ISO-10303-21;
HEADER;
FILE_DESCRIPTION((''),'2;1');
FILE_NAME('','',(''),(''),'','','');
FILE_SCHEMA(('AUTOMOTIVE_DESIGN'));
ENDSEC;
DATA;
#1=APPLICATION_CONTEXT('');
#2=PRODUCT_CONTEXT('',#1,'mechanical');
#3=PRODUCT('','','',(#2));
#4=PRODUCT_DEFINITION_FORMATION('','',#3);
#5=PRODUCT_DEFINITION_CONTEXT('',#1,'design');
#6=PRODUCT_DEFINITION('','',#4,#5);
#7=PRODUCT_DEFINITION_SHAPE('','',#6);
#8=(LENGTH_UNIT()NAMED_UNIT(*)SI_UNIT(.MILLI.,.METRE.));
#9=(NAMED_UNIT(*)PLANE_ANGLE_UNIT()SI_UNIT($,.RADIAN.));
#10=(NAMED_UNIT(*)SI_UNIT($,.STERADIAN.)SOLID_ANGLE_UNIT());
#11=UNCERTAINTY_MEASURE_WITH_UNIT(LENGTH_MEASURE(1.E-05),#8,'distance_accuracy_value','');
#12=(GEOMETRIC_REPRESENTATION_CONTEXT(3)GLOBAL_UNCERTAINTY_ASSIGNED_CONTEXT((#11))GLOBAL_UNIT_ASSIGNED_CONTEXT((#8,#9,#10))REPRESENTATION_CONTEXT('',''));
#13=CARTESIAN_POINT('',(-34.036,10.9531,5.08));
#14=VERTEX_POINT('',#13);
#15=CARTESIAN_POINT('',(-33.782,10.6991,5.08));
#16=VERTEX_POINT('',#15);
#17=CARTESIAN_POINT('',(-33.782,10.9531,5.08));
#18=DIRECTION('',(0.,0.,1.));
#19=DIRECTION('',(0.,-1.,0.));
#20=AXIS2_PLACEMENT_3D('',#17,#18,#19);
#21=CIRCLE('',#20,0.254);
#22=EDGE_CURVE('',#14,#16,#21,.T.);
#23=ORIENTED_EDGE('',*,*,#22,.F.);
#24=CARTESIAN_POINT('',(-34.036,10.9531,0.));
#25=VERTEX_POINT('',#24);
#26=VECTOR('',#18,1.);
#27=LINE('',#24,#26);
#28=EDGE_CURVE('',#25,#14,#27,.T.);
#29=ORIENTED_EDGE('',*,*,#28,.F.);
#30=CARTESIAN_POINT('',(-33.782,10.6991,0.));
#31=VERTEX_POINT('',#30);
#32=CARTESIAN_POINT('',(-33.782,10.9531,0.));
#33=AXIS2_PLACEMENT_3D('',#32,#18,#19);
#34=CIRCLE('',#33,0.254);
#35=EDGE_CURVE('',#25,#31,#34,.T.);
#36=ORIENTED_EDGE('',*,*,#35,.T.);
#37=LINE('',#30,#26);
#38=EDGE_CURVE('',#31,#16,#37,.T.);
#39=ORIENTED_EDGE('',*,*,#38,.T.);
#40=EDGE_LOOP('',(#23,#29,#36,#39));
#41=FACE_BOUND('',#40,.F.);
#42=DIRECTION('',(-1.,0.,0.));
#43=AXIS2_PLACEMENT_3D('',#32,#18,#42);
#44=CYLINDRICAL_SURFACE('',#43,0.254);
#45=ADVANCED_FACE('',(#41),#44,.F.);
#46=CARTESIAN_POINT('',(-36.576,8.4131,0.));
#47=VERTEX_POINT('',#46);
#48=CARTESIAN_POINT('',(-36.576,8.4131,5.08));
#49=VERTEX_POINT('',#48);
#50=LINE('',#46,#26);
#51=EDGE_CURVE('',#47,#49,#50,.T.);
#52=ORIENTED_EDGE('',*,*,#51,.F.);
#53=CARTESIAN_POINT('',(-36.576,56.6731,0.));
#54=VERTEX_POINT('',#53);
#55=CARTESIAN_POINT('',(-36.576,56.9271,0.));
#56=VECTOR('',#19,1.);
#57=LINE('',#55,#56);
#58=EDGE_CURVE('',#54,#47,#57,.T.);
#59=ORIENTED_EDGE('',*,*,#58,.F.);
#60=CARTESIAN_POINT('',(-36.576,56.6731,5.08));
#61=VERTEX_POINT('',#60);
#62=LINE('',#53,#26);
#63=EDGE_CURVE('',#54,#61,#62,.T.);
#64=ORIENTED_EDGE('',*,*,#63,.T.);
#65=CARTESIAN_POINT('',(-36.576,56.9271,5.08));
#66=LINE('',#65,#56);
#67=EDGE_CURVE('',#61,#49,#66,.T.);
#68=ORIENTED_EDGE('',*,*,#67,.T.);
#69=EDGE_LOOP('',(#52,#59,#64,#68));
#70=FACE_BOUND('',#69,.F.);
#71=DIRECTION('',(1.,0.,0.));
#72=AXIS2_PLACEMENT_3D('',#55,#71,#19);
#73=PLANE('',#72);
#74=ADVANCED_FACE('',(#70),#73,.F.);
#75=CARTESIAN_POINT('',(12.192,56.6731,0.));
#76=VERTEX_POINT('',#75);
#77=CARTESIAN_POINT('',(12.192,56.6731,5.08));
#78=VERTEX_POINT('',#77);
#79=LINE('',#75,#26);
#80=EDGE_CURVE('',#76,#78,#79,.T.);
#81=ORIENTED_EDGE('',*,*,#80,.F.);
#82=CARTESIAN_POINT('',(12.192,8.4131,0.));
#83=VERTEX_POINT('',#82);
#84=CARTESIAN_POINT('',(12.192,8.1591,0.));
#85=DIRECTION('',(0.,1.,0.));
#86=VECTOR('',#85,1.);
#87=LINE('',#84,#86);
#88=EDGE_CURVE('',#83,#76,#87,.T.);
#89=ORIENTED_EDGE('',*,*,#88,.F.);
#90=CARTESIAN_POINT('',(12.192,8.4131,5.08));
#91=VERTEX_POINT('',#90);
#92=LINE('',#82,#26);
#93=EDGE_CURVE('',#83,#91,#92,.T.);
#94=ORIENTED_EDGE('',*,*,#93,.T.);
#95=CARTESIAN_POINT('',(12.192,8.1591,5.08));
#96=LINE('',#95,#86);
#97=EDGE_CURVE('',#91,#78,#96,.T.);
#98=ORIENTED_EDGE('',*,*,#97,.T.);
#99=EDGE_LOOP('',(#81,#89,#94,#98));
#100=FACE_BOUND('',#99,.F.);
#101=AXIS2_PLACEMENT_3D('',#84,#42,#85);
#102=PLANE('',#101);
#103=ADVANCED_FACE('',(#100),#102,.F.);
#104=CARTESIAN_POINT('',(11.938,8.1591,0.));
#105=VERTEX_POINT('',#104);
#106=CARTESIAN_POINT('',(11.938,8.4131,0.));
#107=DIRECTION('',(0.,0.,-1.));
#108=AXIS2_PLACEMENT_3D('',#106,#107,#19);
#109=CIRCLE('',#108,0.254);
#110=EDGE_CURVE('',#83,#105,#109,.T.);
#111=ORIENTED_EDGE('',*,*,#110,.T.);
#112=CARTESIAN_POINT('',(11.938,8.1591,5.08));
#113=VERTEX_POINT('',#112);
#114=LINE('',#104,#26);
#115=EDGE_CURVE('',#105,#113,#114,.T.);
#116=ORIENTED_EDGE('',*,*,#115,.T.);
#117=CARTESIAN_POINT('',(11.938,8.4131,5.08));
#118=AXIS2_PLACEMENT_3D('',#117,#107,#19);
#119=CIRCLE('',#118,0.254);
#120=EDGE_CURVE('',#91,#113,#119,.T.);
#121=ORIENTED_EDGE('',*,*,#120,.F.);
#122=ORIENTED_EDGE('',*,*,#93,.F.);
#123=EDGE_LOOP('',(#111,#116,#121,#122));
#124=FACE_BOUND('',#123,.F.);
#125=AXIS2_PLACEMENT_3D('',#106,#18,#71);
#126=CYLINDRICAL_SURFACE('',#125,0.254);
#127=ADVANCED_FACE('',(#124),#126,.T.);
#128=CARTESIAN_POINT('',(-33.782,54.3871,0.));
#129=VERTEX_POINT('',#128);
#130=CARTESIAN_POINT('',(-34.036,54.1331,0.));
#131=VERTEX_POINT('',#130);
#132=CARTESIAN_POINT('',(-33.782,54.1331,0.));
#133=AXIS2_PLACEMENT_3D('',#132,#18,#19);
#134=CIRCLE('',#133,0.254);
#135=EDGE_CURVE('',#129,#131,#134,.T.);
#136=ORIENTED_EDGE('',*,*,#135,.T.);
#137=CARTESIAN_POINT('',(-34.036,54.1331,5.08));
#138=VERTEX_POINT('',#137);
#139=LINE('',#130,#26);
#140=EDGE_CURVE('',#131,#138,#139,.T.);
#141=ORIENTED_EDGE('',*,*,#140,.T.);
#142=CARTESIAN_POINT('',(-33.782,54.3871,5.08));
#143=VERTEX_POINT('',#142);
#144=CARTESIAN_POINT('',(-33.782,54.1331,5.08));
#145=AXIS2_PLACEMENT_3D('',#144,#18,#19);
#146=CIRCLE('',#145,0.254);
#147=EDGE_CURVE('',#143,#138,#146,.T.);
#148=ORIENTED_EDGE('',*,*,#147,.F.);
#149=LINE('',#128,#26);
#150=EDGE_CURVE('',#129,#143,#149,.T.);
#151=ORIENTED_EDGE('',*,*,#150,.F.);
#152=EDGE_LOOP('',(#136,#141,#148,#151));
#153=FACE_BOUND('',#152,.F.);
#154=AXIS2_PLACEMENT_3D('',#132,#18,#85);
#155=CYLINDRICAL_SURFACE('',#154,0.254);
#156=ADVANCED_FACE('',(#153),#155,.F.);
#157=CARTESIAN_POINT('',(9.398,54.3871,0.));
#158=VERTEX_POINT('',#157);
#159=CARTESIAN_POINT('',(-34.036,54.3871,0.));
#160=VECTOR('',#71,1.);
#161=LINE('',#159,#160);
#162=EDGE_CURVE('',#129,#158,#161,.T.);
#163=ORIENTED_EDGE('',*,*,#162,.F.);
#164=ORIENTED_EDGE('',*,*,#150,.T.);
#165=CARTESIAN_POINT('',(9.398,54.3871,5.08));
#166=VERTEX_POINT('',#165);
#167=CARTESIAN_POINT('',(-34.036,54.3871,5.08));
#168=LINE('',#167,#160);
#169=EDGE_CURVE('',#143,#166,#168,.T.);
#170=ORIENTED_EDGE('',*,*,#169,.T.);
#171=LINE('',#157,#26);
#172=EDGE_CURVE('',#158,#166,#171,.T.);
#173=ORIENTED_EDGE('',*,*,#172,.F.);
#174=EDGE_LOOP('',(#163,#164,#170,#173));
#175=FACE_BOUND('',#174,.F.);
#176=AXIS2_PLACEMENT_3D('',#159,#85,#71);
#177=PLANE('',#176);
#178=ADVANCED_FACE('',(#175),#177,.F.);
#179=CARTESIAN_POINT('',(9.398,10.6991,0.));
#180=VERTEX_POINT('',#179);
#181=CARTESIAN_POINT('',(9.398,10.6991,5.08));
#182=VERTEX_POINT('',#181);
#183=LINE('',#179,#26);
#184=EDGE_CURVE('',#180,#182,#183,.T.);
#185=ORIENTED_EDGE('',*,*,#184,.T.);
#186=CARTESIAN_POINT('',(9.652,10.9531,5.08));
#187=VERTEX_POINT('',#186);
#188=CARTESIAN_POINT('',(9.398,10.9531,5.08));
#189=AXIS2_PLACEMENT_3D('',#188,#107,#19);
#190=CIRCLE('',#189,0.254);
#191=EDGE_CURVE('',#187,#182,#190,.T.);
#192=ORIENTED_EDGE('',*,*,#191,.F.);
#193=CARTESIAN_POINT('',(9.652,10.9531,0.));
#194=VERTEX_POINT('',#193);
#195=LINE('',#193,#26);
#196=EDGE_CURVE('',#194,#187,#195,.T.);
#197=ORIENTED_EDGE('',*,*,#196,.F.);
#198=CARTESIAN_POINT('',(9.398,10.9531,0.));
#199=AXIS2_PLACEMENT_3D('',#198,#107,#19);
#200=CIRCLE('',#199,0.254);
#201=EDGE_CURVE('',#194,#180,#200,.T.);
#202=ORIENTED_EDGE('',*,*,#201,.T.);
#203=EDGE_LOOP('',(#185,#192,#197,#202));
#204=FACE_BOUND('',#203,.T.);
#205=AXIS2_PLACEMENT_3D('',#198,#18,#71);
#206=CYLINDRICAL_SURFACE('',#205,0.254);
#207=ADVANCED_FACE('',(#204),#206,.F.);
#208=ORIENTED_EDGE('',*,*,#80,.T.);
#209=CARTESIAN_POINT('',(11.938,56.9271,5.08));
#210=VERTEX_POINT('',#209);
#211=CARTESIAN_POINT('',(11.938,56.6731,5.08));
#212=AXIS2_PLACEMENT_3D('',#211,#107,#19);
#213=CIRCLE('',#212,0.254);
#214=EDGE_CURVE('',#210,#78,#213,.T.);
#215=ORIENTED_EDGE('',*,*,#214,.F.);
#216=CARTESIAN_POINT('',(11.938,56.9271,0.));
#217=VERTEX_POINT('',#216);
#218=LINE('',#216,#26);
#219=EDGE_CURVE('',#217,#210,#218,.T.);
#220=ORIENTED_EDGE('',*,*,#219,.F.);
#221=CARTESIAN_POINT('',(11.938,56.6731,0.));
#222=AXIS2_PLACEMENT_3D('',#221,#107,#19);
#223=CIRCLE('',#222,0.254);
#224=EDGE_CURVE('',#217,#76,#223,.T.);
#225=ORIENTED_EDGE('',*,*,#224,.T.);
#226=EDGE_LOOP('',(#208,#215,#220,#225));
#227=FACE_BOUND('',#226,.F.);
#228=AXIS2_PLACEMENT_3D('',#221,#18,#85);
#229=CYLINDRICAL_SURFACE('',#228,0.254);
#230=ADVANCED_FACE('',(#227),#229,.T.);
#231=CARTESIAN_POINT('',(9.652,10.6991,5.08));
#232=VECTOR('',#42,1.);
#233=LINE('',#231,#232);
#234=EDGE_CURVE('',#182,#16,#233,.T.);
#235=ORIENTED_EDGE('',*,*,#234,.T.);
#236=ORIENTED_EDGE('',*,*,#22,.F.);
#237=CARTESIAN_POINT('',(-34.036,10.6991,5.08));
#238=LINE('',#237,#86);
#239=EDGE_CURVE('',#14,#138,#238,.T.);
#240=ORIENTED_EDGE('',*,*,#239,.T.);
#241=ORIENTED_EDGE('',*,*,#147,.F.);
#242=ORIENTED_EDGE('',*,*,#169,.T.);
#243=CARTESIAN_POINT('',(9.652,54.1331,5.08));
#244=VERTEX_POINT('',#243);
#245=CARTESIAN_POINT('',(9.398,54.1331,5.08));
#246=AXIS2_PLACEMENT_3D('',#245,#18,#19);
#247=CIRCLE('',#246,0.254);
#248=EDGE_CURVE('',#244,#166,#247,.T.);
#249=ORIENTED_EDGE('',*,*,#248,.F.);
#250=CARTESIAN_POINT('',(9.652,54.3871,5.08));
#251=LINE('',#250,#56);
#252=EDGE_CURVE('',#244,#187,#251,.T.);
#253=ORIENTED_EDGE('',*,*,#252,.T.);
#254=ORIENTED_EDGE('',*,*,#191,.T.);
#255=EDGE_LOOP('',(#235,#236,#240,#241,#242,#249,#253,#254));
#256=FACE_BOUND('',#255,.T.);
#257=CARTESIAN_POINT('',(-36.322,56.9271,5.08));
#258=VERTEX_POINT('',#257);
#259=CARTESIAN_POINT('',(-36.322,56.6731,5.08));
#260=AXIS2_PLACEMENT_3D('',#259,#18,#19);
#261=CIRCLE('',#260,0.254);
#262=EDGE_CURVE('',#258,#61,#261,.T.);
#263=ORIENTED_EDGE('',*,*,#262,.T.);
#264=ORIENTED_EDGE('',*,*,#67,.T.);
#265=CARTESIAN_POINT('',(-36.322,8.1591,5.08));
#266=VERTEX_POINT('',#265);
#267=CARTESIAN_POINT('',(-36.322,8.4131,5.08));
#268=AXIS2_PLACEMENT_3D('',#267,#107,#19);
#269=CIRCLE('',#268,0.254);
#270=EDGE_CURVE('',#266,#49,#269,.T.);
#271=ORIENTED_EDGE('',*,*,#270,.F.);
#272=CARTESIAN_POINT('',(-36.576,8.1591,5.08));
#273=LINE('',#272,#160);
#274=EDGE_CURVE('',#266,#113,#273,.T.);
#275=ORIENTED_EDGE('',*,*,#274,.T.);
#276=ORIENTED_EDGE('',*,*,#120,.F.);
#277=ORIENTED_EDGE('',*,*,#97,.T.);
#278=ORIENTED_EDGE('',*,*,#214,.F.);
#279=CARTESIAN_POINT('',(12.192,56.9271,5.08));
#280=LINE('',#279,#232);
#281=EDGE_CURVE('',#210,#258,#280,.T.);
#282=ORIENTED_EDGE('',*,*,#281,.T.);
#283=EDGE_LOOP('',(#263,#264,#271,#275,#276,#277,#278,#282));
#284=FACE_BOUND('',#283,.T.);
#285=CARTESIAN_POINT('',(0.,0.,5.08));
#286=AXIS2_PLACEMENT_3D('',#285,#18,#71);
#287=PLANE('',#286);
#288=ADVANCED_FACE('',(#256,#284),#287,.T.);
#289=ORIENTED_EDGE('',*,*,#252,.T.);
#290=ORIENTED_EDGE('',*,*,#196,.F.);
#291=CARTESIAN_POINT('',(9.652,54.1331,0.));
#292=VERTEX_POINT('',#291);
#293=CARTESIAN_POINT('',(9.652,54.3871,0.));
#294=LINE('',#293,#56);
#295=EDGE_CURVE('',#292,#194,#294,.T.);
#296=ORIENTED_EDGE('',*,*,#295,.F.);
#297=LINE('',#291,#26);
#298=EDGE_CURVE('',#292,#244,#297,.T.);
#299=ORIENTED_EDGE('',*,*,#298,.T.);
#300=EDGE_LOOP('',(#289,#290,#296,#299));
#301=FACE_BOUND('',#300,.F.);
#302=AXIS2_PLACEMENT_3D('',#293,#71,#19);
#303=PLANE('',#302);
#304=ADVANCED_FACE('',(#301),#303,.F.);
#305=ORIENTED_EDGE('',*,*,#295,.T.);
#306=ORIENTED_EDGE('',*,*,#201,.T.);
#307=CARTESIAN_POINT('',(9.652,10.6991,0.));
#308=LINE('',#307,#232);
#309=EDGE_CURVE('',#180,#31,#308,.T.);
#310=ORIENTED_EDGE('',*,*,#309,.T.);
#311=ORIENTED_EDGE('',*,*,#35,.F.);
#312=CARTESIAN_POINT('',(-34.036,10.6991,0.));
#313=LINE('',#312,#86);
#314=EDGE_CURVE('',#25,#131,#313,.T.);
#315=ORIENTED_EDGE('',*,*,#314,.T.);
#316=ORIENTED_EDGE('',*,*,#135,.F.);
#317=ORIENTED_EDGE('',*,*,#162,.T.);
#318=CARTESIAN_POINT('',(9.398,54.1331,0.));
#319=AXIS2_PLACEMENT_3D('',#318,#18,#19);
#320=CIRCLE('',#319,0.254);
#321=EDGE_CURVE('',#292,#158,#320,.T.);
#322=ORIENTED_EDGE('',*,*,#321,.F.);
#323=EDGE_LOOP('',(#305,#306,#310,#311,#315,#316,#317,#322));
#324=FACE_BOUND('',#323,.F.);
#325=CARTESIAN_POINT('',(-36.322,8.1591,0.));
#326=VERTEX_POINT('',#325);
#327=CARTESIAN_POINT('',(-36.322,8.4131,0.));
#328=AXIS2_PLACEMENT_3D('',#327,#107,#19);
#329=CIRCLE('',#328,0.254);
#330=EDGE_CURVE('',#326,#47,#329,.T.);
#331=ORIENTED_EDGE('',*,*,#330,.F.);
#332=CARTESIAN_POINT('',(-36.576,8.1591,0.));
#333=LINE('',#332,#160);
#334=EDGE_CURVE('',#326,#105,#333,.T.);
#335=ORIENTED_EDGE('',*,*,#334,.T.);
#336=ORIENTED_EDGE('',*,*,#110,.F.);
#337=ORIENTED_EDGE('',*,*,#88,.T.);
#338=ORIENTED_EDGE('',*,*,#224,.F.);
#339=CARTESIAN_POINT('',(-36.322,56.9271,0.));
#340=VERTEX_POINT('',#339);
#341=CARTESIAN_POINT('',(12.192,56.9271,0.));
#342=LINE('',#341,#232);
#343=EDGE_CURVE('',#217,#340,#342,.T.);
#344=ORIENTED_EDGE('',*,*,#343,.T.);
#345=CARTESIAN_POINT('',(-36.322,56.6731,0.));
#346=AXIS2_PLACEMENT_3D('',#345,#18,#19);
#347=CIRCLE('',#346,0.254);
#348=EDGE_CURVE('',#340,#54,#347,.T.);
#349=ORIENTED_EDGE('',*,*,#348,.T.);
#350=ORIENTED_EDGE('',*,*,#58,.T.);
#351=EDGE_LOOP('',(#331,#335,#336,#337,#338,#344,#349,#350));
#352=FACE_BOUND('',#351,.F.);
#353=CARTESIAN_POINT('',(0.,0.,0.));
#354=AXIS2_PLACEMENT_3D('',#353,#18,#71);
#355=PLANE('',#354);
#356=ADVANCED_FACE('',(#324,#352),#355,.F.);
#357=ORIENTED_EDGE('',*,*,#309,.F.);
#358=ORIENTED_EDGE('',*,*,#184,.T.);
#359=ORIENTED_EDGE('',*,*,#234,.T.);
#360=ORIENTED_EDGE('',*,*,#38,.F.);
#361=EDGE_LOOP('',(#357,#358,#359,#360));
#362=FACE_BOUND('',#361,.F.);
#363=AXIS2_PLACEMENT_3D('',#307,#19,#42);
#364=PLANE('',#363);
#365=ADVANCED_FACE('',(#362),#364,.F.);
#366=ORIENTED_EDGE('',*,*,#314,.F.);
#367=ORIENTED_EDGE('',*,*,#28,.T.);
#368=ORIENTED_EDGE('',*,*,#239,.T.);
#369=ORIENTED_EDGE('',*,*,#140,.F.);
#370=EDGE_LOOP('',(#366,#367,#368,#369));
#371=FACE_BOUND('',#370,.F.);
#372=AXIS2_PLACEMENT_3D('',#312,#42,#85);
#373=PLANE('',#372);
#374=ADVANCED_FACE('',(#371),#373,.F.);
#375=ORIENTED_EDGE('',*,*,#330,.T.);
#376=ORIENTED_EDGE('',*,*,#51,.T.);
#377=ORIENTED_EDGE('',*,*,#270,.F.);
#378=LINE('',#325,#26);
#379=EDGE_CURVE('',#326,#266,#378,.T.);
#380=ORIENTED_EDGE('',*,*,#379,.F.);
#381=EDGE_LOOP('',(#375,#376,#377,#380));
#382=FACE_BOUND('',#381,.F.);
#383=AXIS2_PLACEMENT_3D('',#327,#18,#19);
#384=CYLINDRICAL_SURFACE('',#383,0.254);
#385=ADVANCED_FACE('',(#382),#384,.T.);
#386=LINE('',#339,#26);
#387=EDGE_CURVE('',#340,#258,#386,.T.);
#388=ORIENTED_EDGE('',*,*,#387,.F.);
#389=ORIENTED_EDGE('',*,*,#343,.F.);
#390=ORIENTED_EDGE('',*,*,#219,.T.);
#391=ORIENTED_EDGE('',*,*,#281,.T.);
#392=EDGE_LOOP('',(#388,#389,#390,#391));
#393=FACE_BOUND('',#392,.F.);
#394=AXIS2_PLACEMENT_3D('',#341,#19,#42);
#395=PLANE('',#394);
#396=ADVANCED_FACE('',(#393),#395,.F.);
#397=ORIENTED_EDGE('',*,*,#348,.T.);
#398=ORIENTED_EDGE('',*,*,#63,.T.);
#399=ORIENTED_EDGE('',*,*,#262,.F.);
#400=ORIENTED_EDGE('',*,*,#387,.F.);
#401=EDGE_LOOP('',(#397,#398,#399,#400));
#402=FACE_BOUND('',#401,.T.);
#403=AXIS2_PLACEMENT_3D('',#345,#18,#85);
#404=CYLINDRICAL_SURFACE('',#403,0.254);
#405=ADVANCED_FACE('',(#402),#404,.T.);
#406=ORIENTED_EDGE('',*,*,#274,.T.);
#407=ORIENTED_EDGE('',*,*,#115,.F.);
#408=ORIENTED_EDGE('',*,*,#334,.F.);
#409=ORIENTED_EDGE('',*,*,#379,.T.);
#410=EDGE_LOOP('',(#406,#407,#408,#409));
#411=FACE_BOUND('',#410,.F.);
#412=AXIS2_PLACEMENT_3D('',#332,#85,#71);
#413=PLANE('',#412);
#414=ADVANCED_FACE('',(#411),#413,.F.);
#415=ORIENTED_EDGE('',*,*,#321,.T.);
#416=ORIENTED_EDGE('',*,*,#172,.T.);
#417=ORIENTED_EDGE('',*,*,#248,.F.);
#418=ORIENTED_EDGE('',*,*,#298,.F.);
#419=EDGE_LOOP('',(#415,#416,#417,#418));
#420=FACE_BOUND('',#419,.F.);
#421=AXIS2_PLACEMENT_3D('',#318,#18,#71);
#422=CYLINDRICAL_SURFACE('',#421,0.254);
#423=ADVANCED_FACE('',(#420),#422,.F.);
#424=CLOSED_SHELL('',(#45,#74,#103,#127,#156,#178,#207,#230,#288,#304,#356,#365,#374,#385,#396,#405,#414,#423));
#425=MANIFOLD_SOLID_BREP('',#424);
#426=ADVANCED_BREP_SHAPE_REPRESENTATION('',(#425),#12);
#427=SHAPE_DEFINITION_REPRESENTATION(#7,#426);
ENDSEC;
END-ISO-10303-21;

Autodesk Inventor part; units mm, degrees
ref_plane "YZ Plane" through (0, 0, 0) normal (1, 0, 0) x (0, 1, 0)
ref_plane "XZ Plane" through (0, 0, 0) normal (0, 1, 0) x (-1, 0, 0)
ref_plane "XY Plane" through (0, 0, 0) normal (0, 0, 1) x (1, 0, 0)
sketch "Sketch1" plane through (0, 0, 0) normal (0, 0, 1) x (1, 0, 0)
  line L0 (-36.576, 56.9271) -> (-36.576, 8.1591) projected
  line L1 (-36.576, 8.1591) -> (12.192, 8.1591) projected
  line L2 (12.192, 8.1591) -> (12.192, 56.9271) projected
  line L3 (12.192, 56.9271) -> (-36.576, 56.9271) projected
  line L4 (9.652, 10.6991) -> (-34.036, 10.6991)
  line L5 (-34.036, 10.6991) -> (-34.036, 54.3871)
  line L6 (-34.036, 54.3871) -> (9.652, 54.3871)
  line L7 (9.652, 54.3871) -> (9.652, 10.6991)
  point P0 (0, 0)
  dimension "d0" = 2.54
extrude "Extrusion1" add sketch "Sketch1" along normal blind 5.08
fillet "Fillet1" radius 0.254 8 edges at (12.192, 8.1591, 2.54) (-36.576, 8.1591, 2.54) (-36.576, 56.9271, 2.54) (12.192, 56.9271, 2.54) (-34.036, 10.6991, 2.54) (9.652, 10.6991, 2.54) (-34.036, 54.3871, 2.54) (9.652, 54.3871, 2.54)
properties part number "infTrim" material "ABS Plastic"
